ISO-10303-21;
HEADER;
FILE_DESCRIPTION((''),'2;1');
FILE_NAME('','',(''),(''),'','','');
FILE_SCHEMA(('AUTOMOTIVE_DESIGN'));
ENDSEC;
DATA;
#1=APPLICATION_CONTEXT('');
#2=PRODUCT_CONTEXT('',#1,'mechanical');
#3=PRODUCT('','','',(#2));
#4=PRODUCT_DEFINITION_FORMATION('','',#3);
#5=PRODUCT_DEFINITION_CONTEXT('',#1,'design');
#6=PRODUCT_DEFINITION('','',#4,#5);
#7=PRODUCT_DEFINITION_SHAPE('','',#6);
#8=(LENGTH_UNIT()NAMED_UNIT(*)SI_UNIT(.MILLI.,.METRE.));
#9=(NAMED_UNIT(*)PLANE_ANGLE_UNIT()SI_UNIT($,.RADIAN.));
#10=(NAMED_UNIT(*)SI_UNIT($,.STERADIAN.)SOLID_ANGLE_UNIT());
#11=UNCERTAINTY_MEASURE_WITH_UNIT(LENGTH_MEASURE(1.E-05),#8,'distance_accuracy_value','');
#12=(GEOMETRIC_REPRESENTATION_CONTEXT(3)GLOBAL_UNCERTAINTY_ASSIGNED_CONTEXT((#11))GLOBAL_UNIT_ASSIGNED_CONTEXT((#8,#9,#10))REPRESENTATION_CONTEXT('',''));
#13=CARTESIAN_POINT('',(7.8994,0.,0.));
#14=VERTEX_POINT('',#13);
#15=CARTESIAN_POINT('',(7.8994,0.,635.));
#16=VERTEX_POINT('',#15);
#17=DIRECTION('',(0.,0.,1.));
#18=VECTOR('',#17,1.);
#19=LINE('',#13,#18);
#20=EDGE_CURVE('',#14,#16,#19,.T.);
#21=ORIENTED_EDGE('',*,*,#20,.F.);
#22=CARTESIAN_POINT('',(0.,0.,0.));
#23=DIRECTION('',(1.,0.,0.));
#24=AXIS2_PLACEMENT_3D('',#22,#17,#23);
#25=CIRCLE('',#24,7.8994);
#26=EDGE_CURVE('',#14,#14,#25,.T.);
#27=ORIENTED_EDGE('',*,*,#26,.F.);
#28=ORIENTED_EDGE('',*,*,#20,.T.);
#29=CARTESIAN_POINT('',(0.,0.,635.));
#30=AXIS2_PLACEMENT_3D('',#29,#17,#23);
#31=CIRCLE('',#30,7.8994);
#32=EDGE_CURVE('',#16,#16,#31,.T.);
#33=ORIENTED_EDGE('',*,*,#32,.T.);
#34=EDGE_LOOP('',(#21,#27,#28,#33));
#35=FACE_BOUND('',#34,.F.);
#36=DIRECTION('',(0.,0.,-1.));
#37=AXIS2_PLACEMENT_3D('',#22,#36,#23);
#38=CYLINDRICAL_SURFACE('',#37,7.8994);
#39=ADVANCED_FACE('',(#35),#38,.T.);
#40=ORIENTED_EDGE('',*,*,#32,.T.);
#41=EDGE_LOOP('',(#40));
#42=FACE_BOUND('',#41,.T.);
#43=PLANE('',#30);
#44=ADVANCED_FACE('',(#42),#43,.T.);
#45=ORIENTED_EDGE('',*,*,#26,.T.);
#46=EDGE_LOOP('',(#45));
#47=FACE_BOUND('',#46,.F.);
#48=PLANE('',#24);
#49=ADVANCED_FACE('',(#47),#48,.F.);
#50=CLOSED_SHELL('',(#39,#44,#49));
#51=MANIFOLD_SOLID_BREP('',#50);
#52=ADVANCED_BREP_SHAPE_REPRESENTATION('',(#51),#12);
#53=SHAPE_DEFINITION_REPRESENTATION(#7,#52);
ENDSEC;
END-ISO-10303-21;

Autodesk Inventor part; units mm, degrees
ref_plane "YZ Plane" through (0, 0, 0) normal (1, 0, 0) x (0, 1, 0)
ref_plane "XZ Plane" through (0, 0, 0) normal (0, 1, 0) x (-1, 0, 0)
ref_plane "XY Plane" through (0, 0, 0) normal (0, 0, 1) x (1, 0, 0)
sketch "Sketch1" plane through (0, 0, 0) normal (0, 0, 1) x (1, 0, 0)
  circle A0 centre (0, 0) radius 7.8994
  dimension "d0" = 15.7988
extrude "Extrusion1" add sketch "Sketch1" along normal blind 635
properties part number "Extender - .25 tube"
